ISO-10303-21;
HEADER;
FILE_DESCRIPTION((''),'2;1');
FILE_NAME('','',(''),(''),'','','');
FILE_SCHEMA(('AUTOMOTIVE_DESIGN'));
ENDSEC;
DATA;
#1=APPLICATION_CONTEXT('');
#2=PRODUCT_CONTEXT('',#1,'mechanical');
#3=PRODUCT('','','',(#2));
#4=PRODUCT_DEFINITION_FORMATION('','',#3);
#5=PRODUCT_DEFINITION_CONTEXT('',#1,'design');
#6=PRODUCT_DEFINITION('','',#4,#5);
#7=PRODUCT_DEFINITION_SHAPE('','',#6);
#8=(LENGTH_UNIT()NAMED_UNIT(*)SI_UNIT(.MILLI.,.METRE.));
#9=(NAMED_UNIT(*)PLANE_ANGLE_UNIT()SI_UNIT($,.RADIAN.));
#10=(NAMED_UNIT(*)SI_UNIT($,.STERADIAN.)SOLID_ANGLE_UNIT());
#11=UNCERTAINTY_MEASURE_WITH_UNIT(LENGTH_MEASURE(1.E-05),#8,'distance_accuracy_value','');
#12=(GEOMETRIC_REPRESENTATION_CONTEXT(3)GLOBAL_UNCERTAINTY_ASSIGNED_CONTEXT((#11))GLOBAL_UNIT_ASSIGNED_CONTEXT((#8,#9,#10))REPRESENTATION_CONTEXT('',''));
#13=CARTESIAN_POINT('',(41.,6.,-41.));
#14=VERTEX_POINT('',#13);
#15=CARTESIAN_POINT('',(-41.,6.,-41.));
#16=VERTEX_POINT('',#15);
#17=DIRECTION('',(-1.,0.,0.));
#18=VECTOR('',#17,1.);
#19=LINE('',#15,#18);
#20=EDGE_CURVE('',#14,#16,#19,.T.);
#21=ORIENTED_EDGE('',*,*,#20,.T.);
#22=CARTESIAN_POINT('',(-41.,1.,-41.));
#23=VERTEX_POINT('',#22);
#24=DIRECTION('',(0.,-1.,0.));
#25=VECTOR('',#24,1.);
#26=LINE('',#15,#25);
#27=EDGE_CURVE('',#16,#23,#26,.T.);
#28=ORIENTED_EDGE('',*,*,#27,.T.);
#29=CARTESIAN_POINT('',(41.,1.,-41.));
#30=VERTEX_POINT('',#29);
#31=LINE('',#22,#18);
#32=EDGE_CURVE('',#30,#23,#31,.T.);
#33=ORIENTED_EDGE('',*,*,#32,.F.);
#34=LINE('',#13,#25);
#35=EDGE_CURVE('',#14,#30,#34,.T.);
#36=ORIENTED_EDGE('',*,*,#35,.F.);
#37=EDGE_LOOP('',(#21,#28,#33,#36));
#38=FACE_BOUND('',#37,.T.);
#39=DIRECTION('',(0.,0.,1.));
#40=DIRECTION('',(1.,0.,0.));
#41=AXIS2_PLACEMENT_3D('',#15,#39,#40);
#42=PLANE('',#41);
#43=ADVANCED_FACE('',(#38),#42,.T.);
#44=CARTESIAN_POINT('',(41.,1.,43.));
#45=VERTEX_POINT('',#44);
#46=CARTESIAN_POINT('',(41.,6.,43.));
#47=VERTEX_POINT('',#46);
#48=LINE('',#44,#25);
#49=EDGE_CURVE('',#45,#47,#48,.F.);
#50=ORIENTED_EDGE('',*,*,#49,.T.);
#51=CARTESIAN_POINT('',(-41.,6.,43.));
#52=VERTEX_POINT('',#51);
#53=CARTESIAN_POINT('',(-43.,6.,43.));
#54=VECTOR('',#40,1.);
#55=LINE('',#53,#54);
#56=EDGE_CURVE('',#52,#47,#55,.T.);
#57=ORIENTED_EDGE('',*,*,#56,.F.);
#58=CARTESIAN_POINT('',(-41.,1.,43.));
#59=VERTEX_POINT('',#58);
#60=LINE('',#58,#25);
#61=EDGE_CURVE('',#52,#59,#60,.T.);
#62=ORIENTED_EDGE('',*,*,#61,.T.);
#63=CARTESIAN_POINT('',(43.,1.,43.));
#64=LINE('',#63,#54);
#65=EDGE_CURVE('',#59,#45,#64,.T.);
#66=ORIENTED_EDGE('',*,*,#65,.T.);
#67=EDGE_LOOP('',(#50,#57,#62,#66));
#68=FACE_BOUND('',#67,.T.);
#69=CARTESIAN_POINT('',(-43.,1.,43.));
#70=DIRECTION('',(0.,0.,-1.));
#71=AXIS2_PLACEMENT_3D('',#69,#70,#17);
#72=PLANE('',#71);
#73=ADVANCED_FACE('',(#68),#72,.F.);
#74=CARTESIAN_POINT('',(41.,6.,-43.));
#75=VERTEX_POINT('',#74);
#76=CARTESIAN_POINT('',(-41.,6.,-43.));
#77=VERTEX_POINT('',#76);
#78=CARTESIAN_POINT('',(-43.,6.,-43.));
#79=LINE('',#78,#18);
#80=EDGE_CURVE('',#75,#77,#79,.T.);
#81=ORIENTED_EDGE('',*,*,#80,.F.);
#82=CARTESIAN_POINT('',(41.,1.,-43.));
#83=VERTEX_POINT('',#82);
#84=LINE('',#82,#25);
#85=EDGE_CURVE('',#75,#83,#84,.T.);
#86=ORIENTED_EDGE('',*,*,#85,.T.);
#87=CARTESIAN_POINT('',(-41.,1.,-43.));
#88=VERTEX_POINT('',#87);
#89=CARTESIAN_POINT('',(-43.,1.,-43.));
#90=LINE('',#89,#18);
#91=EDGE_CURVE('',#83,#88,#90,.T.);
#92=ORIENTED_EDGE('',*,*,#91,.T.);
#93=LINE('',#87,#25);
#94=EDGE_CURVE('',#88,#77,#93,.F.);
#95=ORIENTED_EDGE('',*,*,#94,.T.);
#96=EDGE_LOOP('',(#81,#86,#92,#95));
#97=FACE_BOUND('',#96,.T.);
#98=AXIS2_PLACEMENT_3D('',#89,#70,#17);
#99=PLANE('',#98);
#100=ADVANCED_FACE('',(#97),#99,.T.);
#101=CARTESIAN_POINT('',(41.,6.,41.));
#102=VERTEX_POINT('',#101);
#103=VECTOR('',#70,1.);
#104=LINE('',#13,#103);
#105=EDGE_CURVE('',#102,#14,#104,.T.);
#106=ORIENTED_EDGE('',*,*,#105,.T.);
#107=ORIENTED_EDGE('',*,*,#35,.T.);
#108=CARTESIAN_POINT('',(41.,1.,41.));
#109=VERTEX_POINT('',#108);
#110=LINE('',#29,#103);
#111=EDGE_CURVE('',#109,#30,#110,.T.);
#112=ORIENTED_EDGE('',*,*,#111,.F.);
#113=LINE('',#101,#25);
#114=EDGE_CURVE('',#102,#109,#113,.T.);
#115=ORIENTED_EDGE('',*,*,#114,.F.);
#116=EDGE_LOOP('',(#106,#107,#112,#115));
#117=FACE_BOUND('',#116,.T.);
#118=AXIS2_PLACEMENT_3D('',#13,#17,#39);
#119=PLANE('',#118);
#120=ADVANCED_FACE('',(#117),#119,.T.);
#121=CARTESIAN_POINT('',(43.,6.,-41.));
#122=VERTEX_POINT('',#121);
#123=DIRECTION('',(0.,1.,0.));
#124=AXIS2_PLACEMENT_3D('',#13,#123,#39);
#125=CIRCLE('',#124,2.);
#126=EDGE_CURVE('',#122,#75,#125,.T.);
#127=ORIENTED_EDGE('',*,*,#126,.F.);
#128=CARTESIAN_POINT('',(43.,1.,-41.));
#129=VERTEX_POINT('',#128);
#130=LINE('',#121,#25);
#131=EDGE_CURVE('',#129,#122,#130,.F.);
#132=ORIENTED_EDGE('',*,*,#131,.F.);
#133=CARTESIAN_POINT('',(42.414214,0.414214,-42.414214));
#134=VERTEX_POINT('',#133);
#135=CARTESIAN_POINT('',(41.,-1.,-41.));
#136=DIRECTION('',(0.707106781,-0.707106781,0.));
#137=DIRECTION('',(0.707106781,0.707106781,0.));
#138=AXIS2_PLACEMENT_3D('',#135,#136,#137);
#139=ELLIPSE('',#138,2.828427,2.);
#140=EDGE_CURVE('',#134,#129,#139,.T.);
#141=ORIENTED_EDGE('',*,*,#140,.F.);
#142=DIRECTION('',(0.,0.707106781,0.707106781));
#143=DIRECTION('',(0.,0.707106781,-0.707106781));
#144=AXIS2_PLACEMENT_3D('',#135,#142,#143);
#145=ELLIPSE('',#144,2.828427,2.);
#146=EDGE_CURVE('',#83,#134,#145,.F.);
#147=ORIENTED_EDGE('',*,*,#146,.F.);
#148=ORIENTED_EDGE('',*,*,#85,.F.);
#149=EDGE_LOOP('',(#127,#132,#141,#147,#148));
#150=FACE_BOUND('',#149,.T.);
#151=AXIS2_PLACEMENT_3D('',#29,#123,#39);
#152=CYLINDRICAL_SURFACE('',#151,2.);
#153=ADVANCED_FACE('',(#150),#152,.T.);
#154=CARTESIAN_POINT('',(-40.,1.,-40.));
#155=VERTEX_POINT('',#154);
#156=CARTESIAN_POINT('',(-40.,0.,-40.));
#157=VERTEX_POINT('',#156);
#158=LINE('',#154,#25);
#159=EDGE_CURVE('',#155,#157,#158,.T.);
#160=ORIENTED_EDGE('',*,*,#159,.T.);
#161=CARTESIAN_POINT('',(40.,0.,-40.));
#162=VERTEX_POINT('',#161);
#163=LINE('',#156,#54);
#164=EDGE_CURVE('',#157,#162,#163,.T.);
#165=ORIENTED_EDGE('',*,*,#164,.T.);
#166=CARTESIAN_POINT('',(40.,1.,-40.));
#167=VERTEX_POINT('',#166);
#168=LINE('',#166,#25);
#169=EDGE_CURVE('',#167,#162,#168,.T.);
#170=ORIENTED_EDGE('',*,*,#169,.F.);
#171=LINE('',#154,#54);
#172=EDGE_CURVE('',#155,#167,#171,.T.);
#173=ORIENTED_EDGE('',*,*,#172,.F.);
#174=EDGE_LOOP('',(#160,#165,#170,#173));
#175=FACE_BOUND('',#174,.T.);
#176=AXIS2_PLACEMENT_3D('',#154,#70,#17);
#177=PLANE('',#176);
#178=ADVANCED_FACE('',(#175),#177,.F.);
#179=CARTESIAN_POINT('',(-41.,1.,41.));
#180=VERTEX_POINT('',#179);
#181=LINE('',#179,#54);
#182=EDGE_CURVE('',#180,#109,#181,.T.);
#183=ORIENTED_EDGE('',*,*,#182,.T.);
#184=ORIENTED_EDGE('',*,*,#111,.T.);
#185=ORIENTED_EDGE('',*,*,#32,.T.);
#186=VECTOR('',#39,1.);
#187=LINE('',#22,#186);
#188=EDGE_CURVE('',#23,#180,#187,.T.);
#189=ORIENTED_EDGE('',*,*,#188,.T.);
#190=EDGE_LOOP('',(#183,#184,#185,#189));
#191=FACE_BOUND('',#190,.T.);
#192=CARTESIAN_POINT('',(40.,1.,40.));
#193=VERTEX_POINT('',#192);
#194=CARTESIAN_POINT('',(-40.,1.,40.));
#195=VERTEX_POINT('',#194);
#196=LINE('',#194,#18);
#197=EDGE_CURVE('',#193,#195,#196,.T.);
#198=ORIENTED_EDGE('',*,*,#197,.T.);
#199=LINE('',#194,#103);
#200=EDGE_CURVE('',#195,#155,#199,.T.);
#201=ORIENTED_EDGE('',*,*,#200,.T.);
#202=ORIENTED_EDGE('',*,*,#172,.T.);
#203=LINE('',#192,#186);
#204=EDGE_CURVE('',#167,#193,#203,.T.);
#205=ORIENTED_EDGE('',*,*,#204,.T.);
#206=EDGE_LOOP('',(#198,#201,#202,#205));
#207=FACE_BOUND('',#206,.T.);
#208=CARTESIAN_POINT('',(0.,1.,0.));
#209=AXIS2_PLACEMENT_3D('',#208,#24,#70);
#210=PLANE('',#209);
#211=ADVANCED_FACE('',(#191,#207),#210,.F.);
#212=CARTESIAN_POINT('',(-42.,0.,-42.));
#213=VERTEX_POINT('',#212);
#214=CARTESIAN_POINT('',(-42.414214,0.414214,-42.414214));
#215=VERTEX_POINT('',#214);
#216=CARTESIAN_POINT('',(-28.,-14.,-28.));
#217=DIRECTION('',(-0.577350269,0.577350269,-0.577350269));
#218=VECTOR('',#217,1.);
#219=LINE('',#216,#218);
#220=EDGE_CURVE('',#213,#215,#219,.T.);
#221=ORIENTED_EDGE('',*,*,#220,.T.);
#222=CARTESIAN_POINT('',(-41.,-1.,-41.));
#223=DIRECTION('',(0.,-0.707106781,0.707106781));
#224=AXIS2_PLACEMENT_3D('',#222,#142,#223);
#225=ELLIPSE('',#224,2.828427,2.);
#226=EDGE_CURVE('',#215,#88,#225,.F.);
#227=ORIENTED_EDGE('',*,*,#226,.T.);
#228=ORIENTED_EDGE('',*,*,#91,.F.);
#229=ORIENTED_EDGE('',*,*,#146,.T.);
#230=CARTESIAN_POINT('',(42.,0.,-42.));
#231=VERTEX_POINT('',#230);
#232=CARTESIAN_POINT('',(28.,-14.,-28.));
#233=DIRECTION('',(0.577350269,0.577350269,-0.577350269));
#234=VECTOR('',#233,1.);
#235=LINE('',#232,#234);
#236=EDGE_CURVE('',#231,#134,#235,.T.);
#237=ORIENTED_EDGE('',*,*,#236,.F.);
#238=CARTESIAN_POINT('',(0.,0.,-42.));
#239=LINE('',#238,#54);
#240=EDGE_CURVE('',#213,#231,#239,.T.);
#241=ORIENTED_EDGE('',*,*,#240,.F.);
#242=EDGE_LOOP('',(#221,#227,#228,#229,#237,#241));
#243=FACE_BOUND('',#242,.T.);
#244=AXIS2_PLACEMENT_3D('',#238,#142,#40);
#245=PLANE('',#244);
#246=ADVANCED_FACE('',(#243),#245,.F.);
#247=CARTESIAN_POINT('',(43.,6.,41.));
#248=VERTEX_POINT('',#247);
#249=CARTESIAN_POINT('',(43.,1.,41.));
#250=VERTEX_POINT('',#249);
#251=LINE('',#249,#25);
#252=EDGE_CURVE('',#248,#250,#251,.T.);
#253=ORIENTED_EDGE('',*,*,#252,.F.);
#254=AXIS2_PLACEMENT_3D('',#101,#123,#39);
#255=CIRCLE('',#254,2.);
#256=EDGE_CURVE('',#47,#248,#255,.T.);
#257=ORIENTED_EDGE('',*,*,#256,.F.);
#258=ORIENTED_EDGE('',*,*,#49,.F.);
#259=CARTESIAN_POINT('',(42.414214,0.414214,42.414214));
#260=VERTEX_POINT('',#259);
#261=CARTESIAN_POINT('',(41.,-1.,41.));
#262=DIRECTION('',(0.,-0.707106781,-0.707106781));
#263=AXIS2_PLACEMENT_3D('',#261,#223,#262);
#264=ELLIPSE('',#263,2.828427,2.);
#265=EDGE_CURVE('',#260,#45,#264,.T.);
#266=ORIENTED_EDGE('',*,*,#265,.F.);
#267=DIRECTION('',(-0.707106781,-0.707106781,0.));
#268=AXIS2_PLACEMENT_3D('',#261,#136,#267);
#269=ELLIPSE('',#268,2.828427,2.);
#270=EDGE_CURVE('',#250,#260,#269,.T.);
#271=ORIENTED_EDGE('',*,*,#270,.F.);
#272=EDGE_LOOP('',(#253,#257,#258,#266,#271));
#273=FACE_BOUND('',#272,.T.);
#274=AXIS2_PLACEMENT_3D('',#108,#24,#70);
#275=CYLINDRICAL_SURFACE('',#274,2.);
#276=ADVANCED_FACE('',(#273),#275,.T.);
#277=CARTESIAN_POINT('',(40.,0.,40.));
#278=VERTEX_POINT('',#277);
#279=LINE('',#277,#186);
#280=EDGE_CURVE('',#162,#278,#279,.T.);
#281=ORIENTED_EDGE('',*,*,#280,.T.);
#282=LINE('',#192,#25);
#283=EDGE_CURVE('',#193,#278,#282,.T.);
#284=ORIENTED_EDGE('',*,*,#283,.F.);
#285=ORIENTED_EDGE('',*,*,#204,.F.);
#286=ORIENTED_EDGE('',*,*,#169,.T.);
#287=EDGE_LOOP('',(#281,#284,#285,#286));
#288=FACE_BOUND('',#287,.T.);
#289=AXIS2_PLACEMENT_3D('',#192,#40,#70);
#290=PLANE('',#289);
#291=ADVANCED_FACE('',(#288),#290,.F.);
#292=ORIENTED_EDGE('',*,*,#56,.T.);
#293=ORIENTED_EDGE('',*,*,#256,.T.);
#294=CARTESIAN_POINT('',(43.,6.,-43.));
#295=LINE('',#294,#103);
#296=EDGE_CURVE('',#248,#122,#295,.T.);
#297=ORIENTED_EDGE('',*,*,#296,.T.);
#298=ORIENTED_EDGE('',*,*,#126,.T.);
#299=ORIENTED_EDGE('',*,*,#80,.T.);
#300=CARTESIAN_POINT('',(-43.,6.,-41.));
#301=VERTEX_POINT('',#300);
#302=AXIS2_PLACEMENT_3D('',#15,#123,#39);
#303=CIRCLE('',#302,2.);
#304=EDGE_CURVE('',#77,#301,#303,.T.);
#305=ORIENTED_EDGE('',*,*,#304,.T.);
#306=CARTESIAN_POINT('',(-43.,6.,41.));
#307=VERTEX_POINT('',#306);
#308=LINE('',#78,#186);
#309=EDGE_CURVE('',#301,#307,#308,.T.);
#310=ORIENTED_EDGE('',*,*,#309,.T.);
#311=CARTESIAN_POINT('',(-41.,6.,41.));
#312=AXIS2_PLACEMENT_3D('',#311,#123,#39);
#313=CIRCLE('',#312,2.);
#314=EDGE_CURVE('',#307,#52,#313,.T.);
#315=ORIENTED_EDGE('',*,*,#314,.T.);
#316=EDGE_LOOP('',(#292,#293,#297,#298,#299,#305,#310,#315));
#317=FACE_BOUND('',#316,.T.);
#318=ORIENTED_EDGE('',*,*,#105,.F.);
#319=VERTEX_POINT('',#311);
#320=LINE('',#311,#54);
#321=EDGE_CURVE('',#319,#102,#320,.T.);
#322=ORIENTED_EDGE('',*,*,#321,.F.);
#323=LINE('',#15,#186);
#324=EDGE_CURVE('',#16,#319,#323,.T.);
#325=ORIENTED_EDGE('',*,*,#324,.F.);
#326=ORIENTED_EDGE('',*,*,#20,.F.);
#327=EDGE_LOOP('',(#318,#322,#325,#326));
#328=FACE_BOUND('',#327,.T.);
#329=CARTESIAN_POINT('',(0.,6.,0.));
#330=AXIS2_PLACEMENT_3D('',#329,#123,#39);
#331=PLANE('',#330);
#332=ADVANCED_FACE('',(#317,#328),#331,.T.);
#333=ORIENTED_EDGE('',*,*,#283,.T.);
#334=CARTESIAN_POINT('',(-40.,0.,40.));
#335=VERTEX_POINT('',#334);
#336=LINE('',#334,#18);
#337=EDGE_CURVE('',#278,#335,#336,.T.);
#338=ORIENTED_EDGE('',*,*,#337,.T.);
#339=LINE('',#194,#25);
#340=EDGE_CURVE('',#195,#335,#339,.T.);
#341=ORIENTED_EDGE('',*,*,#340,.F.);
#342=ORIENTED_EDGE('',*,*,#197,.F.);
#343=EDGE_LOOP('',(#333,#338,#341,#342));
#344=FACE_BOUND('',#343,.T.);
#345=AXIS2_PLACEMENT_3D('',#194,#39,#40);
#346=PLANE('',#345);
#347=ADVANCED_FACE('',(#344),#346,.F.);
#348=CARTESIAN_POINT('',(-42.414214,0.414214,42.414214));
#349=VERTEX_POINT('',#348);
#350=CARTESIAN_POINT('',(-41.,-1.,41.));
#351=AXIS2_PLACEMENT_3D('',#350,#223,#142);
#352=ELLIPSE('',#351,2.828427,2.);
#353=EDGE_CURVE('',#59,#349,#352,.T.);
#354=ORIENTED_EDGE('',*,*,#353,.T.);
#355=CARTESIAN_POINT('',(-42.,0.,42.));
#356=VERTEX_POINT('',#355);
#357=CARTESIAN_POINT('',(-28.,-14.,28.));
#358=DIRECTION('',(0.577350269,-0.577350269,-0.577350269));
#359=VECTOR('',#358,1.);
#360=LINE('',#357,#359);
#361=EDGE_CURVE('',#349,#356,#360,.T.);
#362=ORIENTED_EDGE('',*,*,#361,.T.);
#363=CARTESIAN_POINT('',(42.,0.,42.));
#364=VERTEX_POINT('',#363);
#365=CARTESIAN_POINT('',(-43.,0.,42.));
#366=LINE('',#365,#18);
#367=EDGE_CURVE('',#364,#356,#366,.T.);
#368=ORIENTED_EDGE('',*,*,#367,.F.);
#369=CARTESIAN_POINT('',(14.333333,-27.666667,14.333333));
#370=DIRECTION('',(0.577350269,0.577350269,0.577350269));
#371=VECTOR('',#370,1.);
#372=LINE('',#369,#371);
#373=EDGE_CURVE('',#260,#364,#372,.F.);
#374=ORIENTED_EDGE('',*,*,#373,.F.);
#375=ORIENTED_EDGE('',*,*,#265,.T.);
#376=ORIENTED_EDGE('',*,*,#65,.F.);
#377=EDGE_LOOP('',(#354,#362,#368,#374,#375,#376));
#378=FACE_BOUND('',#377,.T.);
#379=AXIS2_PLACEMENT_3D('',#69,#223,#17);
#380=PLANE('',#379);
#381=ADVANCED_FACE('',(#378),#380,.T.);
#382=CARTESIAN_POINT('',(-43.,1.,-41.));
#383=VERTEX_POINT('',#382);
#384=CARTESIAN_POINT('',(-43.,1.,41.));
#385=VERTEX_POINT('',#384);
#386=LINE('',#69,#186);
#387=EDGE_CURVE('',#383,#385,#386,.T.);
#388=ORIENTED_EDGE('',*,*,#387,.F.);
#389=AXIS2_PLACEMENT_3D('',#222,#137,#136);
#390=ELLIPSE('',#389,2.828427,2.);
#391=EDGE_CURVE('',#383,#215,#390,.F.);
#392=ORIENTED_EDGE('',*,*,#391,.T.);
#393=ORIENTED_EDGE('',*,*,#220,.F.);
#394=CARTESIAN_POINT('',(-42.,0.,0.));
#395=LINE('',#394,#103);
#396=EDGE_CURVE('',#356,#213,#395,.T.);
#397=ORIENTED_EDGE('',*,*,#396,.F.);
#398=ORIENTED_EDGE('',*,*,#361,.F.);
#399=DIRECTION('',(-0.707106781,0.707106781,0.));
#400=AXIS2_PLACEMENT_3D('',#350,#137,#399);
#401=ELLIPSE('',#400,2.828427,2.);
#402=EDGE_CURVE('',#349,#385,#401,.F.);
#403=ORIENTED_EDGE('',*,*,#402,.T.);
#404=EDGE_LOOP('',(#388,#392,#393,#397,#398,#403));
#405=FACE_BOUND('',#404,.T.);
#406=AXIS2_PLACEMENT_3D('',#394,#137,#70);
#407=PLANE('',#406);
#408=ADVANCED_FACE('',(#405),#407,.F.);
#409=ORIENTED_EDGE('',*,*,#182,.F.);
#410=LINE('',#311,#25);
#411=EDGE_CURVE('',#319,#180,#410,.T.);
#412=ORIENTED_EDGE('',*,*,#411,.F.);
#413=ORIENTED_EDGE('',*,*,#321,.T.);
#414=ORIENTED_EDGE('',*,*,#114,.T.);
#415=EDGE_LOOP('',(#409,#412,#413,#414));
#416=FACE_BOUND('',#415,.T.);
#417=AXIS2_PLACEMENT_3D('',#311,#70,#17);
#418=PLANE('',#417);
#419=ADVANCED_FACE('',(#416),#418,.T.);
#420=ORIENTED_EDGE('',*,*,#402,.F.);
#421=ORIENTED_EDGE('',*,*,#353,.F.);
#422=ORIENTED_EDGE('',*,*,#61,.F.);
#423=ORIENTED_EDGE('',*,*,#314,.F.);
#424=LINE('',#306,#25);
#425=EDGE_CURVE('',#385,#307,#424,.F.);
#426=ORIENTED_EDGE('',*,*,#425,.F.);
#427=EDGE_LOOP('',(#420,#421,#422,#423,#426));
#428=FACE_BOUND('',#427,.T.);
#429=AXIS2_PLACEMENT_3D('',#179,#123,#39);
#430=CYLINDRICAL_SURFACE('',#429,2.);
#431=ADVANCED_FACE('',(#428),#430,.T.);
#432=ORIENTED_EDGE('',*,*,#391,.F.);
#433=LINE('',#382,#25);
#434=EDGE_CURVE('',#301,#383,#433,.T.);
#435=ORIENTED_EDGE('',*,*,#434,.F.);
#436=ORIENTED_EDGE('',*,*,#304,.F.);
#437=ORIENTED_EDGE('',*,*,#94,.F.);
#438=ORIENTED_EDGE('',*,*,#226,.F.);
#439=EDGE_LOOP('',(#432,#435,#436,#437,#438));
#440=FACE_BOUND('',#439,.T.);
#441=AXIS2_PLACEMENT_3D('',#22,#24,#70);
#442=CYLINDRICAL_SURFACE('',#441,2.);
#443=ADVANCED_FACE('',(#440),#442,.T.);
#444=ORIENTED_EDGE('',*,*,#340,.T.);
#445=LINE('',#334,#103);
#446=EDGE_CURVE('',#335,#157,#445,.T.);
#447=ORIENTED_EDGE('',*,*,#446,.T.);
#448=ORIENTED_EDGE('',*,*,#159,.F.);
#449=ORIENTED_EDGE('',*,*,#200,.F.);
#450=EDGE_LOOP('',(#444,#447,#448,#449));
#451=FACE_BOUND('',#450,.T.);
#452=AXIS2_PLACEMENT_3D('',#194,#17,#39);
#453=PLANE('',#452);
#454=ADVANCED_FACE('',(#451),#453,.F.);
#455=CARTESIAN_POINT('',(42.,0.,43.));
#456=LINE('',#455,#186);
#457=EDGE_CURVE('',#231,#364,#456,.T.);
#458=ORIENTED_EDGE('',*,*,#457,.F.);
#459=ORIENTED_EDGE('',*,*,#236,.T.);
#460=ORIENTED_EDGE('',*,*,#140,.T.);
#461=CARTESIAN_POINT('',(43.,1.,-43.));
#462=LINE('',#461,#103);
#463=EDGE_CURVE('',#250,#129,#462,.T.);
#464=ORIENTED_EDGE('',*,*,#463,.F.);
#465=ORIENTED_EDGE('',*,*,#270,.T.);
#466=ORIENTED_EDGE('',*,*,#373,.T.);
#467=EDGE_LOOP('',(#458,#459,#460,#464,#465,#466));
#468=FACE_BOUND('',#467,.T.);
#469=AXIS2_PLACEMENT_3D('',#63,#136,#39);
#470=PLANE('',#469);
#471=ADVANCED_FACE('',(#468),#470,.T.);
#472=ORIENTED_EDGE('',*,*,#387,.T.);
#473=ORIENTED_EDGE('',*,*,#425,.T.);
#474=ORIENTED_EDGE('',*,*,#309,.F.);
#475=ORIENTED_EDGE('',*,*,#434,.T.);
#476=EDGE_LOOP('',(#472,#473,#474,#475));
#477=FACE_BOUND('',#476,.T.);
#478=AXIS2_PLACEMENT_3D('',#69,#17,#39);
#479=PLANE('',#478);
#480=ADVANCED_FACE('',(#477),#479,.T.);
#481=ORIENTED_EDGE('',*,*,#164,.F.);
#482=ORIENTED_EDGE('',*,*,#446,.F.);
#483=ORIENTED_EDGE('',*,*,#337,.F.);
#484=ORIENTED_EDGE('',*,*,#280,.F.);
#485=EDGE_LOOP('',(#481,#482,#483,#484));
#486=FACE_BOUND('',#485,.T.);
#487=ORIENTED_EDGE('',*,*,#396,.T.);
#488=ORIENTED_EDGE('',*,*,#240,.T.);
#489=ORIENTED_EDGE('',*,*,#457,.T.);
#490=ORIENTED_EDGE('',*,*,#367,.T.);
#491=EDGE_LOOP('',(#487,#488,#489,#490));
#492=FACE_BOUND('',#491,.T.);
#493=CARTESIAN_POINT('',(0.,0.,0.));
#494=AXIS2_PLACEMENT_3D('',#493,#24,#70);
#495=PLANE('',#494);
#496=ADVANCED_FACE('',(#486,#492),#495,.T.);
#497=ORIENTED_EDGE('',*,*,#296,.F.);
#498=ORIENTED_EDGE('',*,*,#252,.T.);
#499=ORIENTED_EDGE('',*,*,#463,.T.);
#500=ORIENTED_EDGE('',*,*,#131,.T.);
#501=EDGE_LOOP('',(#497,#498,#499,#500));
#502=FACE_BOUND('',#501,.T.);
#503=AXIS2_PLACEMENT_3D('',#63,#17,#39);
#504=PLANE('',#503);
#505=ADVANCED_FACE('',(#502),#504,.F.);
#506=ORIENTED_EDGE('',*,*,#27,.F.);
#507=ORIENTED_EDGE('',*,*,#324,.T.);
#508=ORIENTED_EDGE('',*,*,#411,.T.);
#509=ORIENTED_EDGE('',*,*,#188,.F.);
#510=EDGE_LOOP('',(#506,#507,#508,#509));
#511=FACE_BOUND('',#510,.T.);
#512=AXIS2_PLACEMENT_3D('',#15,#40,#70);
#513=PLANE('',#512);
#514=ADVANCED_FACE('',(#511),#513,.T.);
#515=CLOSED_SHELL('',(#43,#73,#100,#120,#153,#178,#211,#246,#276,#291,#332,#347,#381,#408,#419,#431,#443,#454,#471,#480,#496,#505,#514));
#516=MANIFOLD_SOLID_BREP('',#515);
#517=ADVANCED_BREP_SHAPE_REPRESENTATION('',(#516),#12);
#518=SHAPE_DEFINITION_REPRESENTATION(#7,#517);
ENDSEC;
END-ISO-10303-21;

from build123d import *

# Parameters (mm, degrees)
SKETCH_1_W          = 86
SKETCH_1_H          = 86
EXTRUDE_1_DEPTH     = 1
SKETCH_2_W          = 80
SKETCH_2_H          = 80
CUT_EXTRUDE_1_DEPTH = 61.819404798
SKETCH_3_W          = 86
SKETCH_3_H          = 86
SKETCH_3_W_2        = 82
SKETCH_3_H_2        = 82
EXTRUDE_2_DEPTH     = 5
CHAMFER_1_SIZE      = 1
FILLET_1_R          = 2


with BuildPart() as part:
    # 草图1 → 凸台-拉伸1 (new body)
    with BuildSketch(Plane(origin=(0, 0, 0), x_dir=(1, 0, 0), z_dir=(0, 1, 0))):
        Rectangle(SKETCH_1_W, SKETCH_1_H)
    extrude(amount=EXTRUDE_1_DEPTH)

    # 草图2 → 切除-拉伸1 (cut, through all)
    with BuildSketch(Plane.XZ):
        Rectangle(SKETCH_2_W, SKETCH_2_H)
    extrude(amount=-CUT_EXTRUDE_1_DEPTH, mode=Mode.SUBTRACT)

    # 草图3 → 凸台-拉伸2 (add)
    with BuildSketch(Plane(origin=(0, 1, 0), x_dir=(1, 0, 0), z_dir=(0, 1, 0))):
        Rectangle(SKETCH_3_W, SKETCH_3_H)
        Rectangle(SKETCH_3_W_2, SKETCH_3_H_2, mode=Mode.SUBTRACT)
    extrude(amount=EXTRUDE_2_DEPTH)

    # 倒角1
    chamfer_1_edges = [part.edges().sort_by_distance(p)[0] for p in [
        (0, 0, 43),
        (43, 0, 0),
        (0, 0, -43),
        (-43, 0, 0),
    ]]
    chamfer(chamfer_1_edges, length=CHAMFER_1_SIZE)

    # 圆角1
    fillet_1_edges = [part.edges().sort_by_distance(p)[0] for p in [
        (-43, 3.5, 43),
        (43, 3.5, 43),
        (43, 3.5, -43),
        (-43, 3.5, -43),
    ]]
    fillet(fillet_1_edges, radius=FILLET_1_R)


solid = part.part
